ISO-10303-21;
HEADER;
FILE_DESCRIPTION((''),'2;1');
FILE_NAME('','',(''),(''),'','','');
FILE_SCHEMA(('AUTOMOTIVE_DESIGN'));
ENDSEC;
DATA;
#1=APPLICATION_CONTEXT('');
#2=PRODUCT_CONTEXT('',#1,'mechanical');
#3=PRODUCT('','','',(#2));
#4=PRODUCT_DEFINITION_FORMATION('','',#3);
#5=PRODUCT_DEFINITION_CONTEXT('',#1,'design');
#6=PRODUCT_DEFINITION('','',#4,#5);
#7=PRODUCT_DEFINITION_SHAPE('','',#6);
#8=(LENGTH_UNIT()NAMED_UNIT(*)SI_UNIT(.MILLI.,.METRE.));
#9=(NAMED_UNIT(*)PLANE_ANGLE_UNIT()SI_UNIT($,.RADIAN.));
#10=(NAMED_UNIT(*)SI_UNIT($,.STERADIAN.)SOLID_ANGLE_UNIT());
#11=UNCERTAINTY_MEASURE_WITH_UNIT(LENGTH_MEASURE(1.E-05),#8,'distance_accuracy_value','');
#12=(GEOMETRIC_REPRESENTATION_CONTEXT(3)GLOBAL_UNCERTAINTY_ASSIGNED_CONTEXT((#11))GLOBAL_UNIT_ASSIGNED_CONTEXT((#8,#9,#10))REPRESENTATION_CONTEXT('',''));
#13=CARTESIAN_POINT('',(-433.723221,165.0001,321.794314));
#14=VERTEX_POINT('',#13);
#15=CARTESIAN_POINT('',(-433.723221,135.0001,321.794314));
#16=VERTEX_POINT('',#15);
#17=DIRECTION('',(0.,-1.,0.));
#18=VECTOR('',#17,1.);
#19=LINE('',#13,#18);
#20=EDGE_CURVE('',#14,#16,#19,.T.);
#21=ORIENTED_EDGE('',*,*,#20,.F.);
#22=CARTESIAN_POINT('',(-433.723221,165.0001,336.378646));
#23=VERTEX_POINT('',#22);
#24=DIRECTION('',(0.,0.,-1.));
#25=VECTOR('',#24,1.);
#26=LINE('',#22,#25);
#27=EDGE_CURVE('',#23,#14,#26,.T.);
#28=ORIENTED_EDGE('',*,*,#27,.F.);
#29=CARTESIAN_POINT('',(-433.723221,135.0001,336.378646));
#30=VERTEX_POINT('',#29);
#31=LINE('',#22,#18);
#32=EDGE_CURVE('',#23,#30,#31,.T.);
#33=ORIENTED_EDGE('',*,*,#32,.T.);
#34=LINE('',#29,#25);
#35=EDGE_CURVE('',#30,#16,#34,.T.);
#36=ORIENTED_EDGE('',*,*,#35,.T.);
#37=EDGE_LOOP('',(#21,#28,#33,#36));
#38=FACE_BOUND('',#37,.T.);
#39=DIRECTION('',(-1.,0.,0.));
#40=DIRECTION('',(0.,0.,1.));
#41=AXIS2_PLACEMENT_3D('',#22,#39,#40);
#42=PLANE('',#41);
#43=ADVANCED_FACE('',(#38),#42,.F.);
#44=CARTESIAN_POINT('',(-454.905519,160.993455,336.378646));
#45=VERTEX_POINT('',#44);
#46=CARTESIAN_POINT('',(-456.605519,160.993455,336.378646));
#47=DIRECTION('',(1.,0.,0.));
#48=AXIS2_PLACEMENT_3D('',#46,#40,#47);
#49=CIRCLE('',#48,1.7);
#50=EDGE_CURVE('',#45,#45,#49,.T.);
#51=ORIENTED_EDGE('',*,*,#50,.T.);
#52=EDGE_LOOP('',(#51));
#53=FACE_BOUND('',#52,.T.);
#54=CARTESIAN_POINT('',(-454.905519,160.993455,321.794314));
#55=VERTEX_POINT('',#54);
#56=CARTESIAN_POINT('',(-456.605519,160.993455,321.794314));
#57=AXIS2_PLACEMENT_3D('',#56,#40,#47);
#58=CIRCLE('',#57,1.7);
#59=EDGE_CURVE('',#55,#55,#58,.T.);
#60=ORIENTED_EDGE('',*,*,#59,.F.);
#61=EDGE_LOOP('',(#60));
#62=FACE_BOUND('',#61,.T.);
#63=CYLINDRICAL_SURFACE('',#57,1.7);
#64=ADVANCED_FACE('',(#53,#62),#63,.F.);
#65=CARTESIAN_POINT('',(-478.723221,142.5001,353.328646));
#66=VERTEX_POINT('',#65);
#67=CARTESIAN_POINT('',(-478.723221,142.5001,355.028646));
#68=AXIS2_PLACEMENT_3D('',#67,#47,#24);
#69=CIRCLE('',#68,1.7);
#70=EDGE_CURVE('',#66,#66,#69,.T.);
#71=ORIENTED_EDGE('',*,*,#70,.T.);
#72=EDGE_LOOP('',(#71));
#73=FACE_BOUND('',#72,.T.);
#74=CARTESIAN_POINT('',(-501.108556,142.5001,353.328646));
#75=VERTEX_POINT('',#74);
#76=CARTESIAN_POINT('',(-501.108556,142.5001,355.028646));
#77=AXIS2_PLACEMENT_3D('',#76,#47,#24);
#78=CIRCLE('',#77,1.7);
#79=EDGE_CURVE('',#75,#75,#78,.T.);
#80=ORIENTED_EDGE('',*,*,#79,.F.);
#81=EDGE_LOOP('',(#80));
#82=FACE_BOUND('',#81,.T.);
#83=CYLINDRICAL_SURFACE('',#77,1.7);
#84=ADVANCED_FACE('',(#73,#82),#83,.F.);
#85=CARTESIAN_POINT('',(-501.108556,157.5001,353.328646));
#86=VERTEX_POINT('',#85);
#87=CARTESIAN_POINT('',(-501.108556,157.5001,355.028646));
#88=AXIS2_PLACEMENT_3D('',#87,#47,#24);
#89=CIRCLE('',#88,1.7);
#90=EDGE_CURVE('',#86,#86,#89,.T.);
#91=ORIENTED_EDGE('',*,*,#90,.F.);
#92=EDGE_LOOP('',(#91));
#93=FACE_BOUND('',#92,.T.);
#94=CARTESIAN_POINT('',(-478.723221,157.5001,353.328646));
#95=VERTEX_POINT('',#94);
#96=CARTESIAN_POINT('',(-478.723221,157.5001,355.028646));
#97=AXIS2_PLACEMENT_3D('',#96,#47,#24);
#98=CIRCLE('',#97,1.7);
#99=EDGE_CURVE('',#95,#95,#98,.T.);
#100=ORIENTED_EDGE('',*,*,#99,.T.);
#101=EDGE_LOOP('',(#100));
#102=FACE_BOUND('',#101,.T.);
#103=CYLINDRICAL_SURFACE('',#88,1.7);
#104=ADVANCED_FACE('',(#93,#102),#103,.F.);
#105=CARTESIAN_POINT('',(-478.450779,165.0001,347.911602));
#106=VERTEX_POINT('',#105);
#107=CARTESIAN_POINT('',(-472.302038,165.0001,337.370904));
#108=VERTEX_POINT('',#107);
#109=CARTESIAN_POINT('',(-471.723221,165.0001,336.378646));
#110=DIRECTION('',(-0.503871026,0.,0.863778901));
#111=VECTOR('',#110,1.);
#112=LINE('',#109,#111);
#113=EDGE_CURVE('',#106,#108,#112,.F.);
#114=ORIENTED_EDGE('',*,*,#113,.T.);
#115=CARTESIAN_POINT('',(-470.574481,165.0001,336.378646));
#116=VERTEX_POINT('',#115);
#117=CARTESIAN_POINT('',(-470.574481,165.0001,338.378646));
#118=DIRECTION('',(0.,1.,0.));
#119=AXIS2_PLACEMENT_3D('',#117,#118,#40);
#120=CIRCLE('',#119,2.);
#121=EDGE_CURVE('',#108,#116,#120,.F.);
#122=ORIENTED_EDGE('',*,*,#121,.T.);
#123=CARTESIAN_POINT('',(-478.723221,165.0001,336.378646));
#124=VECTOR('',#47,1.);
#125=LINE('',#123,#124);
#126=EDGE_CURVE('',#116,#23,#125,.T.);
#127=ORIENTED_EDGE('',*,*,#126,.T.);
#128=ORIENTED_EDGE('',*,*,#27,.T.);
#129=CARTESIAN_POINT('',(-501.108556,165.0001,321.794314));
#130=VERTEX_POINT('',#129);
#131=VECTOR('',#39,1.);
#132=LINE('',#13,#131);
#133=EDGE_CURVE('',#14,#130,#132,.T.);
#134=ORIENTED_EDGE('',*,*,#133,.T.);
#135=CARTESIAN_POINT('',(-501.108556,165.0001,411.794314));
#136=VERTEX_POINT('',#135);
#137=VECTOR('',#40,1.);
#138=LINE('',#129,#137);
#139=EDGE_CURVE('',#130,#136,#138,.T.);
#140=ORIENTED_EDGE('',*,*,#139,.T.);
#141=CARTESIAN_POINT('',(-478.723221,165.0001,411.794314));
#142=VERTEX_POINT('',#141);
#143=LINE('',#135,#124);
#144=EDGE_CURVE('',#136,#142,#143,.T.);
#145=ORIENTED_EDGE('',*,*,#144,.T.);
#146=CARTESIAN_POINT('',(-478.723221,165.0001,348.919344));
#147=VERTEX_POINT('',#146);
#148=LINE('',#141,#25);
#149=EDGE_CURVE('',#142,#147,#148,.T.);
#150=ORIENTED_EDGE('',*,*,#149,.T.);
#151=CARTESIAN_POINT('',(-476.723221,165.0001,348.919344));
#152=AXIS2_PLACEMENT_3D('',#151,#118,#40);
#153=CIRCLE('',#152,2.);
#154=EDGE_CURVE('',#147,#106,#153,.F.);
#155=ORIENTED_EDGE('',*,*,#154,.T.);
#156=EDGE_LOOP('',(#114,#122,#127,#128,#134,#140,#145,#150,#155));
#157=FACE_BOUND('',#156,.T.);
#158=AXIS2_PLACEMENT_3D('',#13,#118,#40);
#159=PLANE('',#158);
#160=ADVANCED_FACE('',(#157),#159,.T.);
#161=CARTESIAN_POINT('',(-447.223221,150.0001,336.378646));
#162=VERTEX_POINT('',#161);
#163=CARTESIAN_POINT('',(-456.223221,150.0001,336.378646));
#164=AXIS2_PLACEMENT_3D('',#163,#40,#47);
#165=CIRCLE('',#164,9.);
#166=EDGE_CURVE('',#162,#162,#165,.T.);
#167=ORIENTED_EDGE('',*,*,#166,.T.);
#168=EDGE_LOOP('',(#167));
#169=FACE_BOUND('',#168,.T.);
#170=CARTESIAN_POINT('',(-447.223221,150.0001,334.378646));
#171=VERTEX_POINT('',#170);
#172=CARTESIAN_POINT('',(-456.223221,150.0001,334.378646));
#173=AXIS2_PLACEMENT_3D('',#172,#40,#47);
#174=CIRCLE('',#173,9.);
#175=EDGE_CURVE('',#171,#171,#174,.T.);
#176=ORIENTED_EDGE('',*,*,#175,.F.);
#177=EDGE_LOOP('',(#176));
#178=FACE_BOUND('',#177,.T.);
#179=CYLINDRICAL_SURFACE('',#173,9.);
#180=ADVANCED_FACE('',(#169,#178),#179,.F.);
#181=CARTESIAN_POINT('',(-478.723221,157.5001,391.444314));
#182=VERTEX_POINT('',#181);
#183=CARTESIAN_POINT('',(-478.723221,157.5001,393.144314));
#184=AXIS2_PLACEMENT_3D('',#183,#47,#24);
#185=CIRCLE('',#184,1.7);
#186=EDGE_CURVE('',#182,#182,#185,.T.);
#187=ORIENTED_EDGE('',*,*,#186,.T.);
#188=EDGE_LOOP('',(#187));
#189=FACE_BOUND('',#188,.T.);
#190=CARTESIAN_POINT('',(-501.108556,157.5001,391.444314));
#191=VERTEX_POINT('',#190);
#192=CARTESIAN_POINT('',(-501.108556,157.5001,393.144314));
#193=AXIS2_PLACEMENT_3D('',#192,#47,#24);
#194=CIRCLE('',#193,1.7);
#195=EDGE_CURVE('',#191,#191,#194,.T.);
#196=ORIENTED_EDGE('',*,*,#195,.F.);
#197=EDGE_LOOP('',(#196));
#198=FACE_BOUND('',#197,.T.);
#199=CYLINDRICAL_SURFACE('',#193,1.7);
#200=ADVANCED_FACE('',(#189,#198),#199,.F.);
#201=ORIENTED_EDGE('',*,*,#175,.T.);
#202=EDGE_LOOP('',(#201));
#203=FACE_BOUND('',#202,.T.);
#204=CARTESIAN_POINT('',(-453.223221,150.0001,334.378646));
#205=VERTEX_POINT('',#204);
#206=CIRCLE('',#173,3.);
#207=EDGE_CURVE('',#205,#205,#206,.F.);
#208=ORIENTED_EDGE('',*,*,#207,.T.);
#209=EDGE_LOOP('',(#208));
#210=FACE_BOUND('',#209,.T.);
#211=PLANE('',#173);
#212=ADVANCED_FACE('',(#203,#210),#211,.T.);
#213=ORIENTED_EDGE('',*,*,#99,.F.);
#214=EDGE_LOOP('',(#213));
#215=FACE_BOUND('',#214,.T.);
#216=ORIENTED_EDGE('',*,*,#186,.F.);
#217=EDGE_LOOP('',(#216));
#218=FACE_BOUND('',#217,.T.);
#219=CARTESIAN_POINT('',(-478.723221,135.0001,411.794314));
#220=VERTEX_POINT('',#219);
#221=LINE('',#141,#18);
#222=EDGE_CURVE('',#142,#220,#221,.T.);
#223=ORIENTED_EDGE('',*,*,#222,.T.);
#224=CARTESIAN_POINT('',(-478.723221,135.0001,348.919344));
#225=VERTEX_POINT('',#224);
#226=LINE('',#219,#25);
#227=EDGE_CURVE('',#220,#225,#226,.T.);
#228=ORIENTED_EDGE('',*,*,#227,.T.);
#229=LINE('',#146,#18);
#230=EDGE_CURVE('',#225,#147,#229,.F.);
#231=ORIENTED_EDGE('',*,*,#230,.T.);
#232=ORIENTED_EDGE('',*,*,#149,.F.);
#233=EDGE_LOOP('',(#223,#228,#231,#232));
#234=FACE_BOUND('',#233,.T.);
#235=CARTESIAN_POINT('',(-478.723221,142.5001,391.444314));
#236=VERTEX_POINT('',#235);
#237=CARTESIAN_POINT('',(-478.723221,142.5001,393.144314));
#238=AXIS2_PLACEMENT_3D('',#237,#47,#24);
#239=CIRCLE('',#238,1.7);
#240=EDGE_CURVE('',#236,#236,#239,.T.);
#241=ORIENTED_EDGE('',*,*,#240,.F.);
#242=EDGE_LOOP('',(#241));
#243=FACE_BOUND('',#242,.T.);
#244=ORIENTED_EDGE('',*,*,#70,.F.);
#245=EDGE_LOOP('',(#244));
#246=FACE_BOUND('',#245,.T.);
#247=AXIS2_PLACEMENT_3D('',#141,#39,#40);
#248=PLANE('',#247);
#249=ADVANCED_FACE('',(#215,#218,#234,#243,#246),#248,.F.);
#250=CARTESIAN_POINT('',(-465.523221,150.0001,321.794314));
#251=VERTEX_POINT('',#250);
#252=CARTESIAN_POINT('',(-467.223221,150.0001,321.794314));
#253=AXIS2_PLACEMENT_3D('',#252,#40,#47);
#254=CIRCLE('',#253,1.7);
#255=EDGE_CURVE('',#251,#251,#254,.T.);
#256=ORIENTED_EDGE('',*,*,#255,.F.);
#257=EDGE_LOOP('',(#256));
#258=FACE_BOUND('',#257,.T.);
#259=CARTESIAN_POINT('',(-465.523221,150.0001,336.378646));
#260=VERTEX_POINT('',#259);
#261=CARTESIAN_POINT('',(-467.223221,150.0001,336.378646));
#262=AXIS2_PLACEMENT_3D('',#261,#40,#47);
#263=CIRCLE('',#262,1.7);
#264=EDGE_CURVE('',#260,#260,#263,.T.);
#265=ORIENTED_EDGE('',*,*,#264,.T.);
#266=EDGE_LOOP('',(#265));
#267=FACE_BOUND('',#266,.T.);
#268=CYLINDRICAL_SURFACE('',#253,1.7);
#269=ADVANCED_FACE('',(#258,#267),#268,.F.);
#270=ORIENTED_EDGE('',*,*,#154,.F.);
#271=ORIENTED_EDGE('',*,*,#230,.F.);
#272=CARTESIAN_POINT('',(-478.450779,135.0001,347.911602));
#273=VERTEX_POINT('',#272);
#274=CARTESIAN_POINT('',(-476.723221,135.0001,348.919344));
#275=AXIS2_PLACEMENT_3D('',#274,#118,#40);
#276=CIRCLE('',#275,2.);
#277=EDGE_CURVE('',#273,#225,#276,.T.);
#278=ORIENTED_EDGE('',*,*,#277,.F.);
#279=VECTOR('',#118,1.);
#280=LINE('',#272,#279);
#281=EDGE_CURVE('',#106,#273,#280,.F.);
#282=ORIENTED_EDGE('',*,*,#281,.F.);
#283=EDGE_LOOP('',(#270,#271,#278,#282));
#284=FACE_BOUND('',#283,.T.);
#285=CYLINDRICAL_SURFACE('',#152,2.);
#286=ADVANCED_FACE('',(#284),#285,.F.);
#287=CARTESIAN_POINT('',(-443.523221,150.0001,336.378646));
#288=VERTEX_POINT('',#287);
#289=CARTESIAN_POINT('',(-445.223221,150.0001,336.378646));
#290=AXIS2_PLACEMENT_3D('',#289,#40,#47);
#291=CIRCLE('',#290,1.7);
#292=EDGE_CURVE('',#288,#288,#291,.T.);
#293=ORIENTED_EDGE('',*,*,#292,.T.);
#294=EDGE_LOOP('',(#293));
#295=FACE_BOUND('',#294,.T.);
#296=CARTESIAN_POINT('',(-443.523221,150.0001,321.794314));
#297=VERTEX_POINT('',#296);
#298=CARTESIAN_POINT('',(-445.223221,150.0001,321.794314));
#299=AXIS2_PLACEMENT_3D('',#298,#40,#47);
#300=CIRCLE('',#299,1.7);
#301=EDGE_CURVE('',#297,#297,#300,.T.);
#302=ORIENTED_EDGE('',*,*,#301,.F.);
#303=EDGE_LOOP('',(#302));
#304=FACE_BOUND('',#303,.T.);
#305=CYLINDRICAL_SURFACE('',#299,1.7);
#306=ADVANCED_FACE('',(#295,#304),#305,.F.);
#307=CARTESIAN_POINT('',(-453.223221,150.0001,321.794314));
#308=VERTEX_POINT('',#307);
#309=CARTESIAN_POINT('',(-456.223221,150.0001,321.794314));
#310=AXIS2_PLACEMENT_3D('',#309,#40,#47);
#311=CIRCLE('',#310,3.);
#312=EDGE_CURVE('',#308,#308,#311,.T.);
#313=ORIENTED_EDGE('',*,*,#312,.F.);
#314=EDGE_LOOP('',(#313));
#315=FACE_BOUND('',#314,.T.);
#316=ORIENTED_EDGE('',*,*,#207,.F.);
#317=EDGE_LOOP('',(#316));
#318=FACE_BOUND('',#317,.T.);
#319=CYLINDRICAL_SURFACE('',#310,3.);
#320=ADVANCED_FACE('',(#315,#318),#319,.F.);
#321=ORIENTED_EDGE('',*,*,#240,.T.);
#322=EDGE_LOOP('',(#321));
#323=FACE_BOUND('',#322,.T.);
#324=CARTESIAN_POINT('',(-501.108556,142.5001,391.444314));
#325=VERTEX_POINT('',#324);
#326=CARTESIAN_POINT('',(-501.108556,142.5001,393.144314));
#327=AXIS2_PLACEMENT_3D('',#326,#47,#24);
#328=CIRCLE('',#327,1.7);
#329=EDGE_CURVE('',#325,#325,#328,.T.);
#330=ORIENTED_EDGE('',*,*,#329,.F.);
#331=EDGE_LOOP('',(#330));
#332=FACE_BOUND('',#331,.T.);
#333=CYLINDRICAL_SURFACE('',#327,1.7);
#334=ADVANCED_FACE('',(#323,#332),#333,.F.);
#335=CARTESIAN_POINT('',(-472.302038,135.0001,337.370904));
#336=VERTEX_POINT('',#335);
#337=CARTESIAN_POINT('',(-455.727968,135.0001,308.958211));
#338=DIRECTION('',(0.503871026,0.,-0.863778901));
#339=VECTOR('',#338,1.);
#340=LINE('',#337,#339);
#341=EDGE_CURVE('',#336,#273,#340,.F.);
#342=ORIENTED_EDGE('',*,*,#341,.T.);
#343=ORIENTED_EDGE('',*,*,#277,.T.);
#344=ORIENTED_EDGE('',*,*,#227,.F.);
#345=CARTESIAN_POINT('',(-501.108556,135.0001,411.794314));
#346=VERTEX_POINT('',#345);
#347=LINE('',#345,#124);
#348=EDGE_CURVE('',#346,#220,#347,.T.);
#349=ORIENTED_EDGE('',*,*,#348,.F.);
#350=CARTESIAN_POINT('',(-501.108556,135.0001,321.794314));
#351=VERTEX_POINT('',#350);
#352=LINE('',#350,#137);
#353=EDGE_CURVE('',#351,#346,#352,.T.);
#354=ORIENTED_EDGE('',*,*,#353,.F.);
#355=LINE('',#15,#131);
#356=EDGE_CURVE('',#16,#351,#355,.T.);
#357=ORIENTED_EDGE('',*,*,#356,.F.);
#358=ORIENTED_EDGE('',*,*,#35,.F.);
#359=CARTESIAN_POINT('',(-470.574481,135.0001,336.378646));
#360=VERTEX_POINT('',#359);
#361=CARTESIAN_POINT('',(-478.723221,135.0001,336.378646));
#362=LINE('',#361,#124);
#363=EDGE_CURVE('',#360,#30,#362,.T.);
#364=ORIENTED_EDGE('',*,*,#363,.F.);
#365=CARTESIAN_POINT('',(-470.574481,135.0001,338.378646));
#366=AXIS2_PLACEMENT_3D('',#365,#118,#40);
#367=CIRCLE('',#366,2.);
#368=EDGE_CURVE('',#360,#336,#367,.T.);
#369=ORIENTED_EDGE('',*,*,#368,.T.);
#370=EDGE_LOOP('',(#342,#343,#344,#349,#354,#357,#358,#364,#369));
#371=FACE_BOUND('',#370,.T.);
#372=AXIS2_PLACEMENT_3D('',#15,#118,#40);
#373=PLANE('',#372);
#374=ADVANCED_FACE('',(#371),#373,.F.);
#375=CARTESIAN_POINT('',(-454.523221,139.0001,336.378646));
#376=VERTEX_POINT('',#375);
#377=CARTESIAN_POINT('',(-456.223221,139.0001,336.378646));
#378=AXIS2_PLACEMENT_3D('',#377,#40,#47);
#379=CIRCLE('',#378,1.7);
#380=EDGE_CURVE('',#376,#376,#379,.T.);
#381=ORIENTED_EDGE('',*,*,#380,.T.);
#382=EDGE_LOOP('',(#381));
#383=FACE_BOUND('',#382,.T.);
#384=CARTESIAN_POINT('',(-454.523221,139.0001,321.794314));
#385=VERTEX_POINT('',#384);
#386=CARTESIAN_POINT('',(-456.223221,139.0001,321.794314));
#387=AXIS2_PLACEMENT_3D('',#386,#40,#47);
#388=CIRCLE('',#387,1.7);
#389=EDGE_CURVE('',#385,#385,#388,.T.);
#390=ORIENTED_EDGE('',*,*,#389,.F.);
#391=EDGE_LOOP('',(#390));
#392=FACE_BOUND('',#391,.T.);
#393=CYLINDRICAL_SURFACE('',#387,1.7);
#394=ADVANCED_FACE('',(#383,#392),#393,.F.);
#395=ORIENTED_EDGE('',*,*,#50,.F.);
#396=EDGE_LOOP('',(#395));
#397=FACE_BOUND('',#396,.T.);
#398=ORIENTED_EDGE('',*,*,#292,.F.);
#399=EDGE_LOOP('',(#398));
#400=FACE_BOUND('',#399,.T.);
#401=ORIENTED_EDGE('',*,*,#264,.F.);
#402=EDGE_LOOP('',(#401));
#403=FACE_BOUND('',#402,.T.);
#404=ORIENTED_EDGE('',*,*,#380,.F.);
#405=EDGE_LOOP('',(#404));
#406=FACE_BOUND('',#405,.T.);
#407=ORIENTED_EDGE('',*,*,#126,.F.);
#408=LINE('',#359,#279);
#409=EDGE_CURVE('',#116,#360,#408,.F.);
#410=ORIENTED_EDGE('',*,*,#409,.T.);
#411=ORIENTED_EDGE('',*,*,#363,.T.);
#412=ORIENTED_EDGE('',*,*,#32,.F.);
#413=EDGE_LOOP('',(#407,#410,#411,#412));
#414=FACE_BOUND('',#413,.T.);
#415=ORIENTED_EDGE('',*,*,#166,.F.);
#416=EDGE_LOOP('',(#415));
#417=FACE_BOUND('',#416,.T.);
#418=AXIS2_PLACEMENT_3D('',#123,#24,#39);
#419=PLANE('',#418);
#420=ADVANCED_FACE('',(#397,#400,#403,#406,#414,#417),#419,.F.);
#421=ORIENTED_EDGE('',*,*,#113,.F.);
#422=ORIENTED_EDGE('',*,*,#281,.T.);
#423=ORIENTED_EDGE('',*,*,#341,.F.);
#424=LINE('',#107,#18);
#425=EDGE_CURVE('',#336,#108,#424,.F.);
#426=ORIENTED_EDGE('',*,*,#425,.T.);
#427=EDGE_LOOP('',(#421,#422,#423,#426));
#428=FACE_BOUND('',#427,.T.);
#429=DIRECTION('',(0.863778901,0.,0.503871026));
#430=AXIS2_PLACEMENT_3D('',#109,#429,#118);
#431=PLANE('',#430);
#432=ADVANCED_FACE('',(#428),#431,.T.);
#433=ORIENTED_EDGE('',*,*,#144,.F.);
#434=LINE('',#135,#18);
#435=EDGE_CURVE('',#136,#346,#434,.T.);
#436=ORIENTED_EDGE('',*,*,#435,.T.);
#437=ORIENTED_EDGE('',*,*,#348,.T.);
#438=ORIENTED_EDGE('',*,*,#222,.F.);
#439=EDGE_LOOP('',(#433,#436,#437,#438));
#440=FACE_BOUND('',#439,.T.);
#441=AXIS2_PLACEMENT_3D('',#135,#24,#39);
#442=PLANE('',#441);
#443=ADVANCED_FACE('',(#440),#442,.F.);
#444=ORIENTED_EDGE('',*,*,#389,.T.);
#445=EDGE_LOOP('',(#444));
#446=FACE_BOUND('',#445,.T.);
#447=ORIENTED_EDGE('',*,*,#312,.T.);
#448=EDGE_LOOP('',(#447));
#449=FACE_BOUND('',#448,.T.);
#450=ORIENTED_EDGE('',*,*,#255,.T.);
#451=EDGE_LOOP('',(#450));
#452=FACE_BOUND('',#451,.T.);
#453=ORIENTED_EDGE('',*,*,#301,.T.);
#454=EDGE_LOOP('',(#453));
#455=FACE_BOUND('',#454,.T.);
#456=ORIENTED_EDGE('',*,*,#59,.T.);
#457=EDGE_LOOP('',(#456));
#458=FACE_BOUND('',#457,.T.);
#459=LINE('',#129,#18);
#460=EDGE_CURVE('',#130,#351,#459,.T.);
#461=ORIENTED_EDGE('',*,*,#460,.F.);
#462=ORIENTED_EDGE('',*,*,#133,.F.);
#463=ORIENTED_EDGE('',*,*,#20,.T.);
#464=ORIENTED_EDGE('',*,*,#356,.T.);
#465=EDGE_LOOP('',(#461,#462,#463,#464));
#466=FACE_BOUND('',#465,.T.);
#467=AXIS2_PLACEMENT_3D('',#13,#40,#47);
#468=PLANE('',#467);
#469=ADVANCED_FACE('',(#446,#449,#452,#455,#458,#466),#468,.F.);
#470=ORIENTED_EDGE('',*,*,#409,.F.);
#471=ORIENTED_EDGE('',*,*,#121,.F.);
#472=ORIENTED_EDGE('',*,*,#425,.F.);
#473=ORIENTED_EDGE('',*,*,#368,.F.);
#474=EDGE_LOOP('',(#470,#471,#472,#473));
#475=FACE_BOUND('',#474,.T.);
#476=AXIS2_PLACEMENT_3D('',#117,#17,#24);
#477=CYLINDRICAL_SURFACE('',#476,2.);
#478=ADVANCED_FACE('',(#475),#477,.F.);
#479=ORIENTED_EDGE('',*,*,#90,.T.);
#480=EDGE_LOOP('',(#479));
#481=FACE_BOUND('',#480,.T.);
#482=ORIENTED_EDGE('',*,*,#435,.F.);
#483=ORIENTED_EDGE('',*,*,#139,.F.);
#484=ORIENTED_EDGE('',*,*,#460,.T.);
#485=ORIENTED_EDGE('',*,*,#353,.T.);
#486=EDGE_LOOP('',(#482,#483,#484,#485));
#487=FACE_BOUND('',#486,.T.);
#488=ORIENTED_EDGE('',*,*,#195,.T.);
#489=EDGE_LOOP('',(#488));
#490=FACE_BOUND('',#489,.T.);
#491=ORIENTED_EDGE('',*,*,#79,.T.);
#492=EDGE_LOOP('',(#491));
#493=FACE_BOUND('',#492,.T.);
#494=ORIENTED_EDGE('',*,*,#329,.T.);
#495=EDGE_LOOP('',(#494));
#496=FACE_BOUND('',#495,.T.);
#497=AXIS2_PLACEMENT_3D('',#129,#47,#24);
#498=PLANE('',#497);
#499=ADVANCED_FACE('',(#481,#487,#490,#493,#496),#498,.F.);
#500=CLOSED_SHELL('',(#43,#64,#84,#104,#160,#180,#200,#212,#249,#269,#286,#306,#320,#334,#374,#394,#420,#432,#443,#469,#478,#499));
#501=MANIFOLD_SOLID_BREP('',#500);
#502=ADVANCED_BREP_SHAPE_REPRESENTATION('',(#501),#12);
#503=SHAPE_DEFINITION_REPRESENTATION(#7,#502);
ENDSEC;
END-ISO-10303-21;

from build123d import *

# Parameters (mm, degrees)
BOSS_EXTRUDE1_DEPTH = 300
SKETCH3_R           = 17
SKETCH3_R_2         = 30
CUT_EXTRUDE1_DEPTH  = 1055.907875982
SKETCH4_R           = 90
CUT_EXTRUDE2_DEPTH  = 20
SKETCH5_R           = 17
CUT_EXTRUDE3_DEPTH  = 1051
CHAMFER1_SIZE       = 70
CHAMFER1_SIZE2      = 120
FILLET1_R           = 20
SCALE1_SCALE        = 0.1


with BuildPart() as part:
    # Sketch2 → Boss-Extrude1 (new body)
    with BuildSketch(Plane(origin=(0, 0, 0), x_dir=(-1, 0, 0), z_dir=(0, 1, 0))):
        Polygon((0, 0), (673.85334868, 0), (673.85334868, 900), (450, 900), (450, 145.843324447), (0, 145.843324447), align=None)
    extrude(amount=BOSS_EXTRUDE1_DEPTH)

    # Sketch3 → Cut-Extrude1 (cut, through all)
    with BuildSketch(Plane.XY.offset(145.843324447)):
        with Locations((-335, 150)):
            Circle(SKETCH3_R)
        with Locations((-228.822978678, 259.933547355)):
            Circle(SKETCH3_R)
        with Locations((-115, 150)):
            Circle(SKETCH3_R)
        with Locations((-225, 40)):
            Circle(SKETCH3_R)
        with Locations((-225, 150)):
            Circle(SKETCH3_R_2)
    extrude(amount=-CUT_EXTRUDE1_DEPTH, mode=Mode.SUBTRACT)

    # Sketch4 → Cut-Extrude2 (cut)
    with BuildSketch(Plane.XY.offset(145.843324447)):
        with Locations((-225, 150)):
            Circle(SKETCH4_R)
    extrude(amount=-CUT_EXTRUDE2_DEPTH, mode=Mode.SUBTRACT)

    # Sketch5 → Cut-Extrude3 (cut, through all)
    with BuildSketch(Plane.YZ.offset(-450)):
        with Locations(Location((75, 713.5, 0), (0, 0, 270))):
            Circle(SKETCH5_R)
        with Locations(Location((225, 713.5, 0), (0, 0, 270))):
            Circle(SKETCH5_R)
        with Locations(Location((75, 332.343324447, 0), (0, 0, 270))):
            Circle(SKETCH5_R)
        with Locations(Location((225, 332.343324447, 0), (0, 0, 270))):
            Circle(SKETCH5_R)
    extrude(amount=-CUT_EXTRUDE3_DEPTH, mode=Mode.SUBTRACT)

    # Chamfer1
    chamfer1_edges = [part.edges().sort_by_distance(p)[0] for p in [
        (-450, 150, 145.843324447),
    ]]
    chamfer1_side = [part.faces().sort_by_distance(p)[0] for p in [
        (-444.591673087, 150, 145.843324447),
    ]]
    chamfer(chamfer1_edges, length=CHAMFER1_SIZE, length2=CHAMFER1_SIZE2, reference=chamfer1_side[0])

    # Fillet1
    fillet1_edges = [part.edges().sort_by_distance(p)[0] for p in [
        (-380, 150, 145.843324447),
        (-450, 150, 265.843324447),
    ]]
    fillet(fillet1_edges, radius=FILLET1_R)


with BuildPart() as part_1:
    # Scale1: scaled about (-481.914690358, 150.000111117, 357.549237265)
    add(part.part.scale(SCALE1_SCALE).moved(Location((-433.723221322, 135.000100005, 321.794313538))))


solid = part_1.part
